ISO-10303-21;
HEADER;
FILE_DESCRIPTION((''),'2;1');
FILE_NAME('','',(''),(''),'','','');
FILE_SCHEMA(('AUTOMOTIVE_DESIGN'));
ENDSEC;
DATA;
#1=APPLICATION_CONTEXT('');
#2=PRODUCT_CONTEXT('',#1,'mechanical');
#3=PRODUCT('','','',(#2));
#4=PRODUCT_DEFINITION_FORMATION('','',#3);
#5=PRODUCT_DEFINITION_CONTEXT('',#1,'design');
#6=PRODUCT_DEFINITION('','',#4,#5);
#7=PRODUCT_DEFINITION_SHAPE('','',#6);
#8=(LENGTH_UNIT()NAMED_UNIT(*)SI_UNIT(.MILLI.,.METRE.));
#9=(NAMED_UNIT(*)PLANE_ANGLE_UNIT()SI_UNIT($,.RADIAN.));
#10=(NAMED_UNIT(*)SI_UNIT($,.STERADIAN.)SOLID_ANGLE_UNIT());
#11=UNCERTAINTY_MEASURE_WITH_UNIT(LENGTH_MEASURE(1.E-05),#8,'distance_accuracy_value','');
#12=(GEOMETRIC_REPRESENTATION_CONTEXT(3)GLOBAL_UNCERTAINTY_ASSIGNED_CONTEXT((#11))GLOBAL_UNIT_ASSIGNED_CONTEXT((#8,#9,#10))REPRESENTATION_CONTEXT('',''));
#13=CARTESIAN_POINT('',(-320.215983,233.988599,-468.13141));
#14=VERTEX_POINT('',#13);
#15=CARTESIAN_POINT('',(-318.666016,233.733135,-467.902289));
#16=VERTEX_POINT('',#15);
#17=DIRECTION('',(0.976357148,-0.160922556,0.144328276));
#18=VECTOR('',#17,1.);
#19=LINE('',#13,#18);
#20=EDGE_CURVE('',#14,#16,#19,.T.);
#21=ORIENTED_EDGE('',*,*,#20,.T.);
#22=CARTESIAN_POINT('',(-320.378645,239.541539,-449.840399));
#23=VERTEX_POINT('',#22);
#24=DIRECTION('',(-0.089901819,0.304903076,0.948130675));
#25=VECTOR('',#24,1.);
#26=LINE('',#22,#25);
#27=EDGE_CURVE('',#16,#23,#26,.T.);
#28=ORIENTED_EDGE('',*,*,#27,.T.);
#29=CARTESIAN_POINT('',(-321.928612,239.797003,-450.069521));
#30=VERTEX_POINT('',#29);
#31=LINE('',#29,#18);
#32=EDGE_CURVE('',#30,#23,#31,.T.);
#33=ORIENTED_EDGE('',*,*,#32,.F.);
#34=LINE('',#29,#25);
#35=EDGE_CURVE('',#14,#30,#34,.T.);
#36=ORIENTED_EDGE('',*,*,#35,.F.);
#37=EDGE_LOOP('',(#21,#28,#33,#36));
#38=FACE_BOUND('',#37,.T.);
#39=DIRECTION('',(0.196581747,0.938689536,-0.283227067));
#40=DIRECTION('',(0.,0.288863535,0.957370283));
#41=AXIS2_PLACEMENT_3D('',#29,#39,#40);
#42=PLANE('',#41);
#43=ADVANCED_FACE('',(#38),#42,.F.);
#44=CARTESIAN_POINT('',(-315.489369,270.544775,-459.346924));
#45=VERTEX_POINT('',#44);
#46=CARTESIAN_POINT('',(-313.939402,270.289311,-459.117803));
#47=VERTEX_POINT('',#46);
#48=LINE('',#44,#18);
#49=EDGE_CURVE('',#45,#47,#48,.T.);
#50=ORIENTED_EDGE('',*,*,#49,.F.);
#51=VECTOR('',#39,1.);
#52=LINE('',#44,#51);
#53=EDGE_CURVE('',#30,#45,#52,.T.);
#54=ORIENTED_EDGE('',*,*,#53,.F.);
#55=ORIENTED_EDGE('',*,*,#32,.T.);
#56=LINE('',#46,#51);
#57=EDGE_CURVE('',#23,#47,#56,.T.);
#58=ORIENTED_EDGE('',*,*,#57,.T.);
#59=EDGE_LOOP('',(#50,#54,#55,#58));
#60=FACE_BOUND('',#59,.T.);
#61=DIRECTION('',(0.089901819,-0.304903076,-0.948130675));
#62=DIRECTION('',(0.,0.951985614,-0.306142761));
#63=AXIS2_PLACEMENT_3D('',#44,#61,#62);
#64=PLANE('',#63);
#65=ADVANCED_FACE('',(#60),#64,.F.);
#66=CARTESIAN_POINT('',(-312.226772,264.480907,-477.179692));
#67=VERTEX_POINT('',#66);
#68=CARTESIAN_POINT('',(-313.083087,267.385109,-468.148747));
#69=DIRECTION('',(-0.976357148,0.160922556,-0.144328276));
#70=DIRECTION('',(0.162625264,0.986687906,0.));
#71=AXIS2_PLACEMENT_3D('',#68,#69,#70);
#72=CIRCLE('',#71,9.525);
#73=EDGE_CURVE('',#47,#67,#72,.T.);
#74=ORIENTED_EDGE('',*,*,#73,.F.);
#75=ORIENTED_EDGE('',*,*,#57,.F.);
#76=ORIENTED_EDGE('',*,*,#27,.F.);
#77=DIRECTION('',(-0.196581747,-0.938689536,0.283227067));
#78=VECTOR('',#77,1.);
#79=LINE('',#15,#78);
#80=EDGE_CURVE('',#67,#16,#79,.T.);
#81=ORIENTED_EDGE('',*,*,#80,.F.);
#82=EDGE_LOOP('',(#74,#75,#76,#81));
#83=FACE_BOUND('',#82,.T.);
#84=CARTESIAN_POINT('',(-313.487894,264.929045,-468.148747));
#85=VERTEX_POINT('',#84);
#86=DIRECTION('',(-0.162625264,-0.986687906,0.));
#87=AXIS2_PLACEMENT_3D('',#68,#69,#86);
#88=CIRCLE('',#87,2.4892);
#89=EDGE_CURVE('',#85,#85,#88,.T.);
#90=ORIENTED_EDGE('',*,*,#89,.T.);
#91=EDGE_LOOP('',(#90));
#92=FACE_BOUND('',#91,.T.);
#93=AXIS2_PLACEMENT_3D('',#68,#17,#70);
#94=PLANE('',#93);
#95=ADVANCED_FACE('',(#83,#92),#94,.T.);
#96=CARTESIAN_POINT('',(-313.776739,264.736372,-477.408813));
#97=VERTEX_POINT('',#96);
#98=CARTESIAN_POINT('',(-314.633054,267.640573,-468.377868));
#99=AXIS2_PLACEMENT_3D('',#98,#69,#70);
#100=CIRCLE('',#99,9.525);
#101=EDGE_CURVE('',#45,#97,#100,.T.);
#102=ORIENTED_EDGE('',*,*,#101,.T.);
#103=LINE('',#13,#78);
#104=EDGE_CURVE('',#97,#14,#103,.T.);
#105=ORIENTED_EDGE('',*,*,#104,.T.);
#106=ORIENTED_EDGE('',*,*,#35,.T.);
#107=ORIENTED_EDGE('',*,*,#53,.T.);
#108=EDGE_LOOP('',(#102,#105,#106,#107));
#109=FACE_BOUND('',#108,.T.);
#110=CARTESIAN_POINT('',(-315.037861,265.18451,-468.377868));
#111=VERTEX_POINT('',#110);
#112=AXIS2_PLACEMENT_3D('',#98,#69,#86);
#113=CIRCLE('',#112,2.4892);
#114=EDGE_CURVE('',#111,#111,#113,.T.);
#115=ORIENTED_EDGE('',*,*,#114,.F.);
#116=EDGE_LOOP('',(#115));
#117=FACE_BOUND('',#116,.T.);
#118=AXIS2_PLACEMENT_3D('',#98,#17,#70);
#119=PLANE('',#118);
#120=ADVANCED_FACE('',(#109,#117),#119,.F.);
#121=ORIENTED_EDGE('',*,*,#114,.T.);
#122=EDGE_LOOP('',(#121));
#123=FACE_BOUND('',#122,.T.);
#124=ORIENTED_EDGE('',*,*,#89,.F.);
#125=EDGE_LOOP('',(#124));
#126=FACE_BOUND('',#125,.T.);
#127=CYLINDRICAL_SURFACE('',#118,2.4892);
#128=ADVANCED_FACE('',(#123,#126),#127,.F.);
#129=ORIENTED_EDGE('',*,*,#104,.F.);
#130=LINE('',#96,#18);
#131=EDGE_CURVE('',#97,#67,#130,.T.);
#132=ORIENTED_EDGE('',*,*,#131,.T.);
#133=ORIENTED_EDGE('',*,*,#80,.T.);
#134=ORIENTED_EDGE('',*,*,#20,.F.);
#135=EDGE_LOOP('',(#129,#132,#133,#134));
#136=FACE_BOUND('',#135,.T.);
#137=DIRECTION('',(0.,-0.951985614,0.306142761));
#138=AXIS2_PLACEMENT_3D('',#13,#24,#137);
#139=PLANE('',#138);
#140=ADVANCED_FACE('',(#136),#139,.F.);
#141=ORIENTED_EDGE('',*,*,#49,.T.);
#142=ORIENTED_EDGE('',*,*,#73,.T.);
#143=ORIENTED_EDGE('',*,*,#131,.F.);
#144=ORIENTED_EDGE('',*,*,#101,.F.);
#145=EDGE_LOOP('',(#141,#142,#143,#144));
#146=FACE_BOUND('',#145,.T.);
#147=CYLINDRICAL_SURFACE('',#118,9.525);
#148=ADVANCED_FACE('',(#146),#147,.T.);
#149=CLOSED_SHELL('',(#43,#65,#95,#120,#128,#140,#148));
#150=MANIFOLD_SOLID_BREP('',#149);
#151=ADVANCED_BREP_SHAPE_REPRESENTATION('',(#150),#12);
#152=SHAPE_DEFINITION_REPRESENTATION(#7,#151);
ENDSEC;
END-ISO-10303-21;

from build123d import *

# Parameters (mm, degrees)
SKETCH1_R           = 2.4892
BOSS_EXTRUDE1_DEPTH = 1.5875


with BuildPart() as part:
    # Sketch1 → Boss-Extrude1 (new body)
    with BuildSketch(Plane(origin=(-406.434347041, 66.988247001, -60.080441698), x_dir=(-0.14240696456357832, 0.02347142407205886, 0.9895298624578327), z_dir=(-0.9763571476802022, 0.16092255550294132, -0.1443282761768555))):
        with BuildLine():
            Line((-412.136977902, 178.798512371), (-421.512544605, 210.184151026))
            ThreePointArc((-421.512544605, 210.184151026), (-415.112326577, 222.036933788), (-403.259543815, 215.636715759))
            Line((-403.259543815, 215.636715759), (-393.883977112, 184.251077104))
            Line((-393.883977112, 184.251077104), (-412.136977902, 178.798512371))
        make_face()
        with Locations(Location((-412.38604421, 212.910433393, 0), (0, 0, 270))):
            Circle(SKETCH1_R, mode=Mode.SUBTRACT)
    extrude(amount=BOSS_EXTRUDE1_DEPTH)


solid = part.part
